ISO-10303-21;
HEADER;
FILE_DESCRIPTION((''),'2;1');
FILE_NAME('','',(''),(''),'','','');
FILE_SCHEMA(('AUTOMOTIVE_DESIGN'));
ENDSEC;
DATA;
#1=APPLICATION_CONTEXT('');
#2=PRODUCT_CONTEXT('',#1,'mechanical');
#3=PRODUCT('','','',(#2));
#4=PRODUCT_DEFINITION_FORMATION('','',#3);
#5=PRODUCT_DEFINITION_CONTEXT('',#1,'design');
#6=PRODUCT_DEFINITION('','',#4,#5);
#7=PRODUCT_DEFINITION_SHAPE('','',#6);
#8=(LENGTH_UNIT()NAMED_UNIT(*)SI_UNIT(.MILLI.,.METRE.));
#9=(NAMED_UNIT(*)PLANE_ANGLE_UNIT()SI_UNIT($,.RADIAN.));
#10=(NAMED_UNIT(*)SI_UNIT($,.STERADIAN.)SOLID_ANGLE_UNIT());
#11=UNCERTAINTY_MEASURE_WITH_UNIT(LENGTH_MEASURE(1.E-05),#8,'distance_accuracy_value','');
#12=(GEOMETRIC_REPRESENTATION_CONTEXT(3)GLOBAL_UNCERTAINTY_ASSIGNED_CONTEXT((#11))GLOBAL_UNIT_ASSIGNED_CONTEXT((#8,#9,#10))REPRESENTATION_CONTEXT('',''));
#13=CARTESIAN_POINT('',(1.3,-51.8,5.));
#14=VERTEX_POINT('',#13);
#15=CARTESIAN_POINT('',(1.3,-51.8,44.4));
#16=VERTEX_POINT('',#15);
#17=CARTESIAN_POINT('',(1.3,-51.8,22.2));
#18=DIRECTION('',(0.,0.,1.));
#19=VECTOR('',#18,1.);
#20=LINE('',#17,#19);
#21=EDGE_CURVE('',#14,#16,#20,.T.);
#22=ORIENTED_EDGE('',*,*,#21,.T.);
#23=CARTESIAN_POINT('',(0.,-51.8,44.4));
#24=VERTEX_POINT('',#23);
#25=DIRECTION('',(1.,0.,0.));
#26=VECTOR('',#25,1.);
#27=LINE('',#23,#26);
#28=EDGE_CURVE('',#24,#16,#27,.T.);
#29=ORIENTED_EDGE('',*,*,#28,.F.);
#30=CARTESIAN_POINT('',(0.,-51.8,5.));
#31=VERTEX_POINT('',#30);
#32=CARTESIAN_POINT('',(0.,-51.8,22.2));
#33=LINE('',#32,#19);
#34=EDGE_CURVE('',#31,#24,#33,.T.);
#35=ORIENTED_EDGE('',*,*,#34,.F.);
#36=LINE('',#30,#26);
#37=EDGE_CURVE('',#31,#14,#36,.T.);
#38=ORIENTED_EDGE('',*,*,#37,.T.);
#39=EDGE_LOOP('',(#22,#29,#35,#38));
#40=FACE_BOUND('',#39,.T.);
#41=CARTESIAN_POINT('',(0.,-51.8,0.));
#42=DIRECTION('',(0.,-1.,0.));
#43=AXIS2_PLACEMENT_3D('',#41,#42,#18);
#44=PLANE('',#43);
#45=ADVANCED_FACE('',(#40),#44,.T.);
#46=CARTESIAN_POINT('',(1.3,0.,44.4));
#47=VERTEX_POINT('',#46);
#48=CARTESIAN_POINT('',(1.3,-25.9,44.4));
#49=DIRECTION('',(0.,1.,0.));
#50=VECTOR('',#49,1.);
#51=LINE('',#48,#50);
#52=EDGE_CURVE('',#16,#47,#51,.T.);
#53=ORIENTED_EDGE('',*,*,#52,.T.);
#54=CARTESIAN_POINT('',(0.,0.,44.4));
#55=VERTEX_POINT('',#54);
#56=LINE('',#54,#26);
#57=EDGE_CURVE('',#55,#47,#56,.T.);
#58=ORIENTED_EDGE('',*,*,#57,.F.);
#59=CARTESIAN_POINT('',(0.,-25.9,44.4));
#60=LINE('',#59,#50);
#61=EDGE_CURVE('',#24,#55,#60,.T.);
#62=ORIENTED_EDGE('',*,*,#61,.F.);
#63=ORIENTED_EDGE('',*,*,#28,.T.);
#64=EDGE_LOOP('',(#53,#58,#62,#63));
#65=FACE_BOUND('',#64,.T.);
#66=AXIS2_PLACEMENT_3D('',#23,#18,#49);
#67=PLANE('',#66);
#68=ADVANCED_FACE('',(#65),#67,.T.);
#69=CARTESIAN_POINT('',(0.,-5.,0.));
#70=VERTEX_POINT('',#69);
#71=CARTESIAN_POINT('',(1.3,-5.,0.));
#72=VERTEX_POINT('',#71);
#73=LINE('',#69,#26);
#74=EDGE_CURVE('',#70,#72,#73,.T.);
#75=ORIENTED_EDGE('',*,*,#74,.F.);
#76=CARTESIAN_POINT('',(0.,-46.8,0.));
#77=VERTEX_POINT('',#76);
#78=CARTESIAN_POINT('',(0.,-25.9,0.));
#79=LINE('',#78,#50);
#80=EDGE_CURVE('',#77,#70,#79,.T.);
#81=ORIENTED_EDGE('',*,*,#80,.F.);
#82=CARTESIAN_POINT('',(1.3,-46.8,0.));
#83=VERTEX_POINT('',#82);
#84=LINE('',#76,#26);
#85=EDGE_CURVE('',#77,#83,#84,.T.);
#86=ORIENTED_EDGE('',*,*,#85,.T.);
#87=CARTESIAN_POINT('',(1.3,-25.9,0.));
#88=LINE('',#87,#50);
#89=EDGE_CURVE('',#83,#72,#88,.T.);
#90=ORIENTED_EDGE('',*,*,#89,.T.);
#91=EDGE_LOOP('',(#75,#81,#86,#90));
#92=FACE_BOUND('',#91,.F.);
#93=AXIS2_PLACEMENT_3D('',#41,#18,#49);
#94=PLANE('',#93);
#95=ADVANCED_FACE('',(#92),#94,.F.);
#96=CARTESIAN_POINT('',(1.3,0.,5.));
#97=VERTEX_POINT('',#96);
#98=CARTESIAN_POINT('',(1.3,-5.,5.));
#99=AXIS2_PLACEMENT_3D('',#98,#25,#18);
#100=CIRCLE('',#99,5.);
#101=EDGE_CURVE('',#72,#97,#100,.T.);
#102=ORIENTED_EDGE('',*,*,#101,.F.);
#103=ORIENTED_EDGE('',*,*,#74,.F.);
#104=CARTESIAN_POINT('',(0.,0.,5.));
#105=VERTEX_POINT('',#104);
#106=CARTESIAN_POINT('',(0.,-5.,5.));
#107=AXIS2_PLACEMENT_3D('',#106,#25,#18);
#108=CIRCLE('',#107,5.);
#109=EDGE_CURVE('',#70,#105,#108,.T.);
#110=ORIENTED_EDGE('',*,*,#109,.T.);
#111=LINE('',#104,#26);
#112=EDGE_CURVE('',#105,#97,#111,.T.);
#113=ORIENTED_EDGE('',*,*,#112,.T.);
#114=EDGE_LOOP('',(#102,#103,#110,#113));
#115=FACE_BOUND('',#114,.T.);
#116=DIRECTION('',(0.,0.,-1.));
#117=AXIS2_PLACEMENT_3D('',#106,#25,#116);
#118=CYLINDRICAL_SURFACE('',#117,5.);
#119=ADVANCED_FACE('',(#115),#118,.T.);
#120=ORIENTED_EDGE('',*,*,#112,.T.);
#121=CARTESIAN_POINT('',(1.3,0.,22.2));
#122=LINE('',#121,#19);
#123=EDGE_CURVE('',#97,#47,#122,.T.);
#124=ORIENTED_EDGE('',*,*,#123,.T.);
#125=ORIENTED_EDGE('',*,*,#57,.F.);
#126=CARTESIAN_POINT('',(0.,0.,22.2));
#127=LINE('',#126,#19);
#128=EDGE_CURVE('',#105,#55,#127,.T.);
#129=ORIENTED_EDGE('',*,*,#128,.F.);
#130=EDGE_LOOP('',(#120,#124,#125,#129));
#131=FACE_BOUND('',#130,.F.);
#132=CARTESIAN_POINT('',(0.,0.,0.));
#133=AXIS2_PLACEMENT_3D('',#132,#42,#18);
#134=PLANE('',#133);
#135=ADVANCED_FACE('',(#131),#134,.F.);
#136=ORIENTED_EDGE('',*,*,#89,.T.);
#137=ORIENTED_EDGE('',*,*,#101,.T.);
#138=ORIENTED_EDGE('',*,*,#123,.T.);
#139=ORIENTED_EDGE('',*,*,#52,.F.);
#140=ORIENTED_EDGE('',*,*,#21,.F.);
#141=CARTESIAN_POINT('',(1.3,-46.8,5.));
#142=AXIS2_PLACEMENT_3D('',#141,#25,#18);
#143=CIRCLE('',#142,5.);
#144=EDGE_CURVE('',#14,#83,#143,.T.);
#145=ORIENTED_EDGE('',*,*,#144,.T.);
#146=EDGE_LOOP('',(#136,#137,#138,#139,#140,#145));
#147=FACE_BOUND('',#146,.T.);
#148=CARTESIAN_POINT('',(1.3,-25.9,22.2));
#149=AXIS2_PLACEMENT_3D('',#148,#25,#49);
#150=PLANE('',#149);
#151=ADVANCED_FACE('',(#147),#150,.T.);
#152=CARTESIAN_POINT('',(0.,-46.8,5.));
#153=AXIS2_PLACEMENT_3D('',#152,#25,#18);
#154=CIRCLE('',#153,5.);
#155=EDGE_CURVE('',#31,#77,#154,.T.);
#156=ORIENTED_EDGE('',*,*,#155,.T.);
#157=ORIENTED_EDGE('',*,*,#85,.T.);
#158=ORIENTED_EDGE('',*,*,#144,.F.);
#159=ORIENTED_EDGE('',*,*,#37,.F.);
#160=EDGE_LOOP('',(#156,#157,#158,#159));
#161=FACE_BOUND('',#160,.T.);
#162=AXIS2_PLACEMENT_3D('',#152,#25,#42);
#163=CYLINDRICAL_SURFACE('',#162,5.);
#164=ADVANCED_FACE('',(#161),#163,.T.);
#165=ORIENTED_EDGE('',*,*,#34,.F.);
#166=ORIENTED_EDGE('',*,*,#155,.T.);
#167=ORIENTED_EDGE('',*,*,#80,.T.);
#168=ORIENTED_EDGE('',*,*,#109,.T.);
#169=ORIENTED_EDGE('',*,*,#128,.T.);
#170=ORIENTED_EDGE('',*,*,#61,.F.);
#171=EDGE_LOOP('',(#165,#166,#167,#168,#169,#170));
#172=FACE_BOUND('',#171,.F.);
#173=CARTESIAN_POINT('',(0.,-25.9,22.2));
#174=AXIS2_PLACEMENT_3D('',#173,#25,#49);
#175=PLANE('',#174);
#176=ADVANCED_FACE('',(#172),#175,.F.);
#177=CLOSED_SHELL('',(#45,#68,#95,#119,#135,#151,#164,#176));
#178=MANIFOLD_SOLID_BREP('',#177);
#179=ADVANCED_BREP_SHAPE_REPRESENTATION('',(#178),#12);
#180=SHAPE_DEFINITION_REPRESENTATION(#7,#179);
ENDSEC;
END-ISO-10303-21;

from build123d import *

# Parameters (mm, degrees)
F0_W     = 51.8
F0_H     = 44.4
F1_DEPTH = 1.3
F2_R     = 5


with BuildPart() as f1:
    # F0 (on Right) → F1 (new body)
    with BuildSketch(Plane.YZ):
        with Locations((-25.9, 22.2)):
            Rectangle(F0_W, F0_H)
    extrude(amount=F1_DEPTH)

    # F2
    f2_edges = [f1.edges().sort_by_distance(p)[0] for p in [
        (0.65, -51.8, 0),
        (0.65, 0, 0),
    ]]
    fillet(f2_edges, radius=F2_R)


solid = f1.part
